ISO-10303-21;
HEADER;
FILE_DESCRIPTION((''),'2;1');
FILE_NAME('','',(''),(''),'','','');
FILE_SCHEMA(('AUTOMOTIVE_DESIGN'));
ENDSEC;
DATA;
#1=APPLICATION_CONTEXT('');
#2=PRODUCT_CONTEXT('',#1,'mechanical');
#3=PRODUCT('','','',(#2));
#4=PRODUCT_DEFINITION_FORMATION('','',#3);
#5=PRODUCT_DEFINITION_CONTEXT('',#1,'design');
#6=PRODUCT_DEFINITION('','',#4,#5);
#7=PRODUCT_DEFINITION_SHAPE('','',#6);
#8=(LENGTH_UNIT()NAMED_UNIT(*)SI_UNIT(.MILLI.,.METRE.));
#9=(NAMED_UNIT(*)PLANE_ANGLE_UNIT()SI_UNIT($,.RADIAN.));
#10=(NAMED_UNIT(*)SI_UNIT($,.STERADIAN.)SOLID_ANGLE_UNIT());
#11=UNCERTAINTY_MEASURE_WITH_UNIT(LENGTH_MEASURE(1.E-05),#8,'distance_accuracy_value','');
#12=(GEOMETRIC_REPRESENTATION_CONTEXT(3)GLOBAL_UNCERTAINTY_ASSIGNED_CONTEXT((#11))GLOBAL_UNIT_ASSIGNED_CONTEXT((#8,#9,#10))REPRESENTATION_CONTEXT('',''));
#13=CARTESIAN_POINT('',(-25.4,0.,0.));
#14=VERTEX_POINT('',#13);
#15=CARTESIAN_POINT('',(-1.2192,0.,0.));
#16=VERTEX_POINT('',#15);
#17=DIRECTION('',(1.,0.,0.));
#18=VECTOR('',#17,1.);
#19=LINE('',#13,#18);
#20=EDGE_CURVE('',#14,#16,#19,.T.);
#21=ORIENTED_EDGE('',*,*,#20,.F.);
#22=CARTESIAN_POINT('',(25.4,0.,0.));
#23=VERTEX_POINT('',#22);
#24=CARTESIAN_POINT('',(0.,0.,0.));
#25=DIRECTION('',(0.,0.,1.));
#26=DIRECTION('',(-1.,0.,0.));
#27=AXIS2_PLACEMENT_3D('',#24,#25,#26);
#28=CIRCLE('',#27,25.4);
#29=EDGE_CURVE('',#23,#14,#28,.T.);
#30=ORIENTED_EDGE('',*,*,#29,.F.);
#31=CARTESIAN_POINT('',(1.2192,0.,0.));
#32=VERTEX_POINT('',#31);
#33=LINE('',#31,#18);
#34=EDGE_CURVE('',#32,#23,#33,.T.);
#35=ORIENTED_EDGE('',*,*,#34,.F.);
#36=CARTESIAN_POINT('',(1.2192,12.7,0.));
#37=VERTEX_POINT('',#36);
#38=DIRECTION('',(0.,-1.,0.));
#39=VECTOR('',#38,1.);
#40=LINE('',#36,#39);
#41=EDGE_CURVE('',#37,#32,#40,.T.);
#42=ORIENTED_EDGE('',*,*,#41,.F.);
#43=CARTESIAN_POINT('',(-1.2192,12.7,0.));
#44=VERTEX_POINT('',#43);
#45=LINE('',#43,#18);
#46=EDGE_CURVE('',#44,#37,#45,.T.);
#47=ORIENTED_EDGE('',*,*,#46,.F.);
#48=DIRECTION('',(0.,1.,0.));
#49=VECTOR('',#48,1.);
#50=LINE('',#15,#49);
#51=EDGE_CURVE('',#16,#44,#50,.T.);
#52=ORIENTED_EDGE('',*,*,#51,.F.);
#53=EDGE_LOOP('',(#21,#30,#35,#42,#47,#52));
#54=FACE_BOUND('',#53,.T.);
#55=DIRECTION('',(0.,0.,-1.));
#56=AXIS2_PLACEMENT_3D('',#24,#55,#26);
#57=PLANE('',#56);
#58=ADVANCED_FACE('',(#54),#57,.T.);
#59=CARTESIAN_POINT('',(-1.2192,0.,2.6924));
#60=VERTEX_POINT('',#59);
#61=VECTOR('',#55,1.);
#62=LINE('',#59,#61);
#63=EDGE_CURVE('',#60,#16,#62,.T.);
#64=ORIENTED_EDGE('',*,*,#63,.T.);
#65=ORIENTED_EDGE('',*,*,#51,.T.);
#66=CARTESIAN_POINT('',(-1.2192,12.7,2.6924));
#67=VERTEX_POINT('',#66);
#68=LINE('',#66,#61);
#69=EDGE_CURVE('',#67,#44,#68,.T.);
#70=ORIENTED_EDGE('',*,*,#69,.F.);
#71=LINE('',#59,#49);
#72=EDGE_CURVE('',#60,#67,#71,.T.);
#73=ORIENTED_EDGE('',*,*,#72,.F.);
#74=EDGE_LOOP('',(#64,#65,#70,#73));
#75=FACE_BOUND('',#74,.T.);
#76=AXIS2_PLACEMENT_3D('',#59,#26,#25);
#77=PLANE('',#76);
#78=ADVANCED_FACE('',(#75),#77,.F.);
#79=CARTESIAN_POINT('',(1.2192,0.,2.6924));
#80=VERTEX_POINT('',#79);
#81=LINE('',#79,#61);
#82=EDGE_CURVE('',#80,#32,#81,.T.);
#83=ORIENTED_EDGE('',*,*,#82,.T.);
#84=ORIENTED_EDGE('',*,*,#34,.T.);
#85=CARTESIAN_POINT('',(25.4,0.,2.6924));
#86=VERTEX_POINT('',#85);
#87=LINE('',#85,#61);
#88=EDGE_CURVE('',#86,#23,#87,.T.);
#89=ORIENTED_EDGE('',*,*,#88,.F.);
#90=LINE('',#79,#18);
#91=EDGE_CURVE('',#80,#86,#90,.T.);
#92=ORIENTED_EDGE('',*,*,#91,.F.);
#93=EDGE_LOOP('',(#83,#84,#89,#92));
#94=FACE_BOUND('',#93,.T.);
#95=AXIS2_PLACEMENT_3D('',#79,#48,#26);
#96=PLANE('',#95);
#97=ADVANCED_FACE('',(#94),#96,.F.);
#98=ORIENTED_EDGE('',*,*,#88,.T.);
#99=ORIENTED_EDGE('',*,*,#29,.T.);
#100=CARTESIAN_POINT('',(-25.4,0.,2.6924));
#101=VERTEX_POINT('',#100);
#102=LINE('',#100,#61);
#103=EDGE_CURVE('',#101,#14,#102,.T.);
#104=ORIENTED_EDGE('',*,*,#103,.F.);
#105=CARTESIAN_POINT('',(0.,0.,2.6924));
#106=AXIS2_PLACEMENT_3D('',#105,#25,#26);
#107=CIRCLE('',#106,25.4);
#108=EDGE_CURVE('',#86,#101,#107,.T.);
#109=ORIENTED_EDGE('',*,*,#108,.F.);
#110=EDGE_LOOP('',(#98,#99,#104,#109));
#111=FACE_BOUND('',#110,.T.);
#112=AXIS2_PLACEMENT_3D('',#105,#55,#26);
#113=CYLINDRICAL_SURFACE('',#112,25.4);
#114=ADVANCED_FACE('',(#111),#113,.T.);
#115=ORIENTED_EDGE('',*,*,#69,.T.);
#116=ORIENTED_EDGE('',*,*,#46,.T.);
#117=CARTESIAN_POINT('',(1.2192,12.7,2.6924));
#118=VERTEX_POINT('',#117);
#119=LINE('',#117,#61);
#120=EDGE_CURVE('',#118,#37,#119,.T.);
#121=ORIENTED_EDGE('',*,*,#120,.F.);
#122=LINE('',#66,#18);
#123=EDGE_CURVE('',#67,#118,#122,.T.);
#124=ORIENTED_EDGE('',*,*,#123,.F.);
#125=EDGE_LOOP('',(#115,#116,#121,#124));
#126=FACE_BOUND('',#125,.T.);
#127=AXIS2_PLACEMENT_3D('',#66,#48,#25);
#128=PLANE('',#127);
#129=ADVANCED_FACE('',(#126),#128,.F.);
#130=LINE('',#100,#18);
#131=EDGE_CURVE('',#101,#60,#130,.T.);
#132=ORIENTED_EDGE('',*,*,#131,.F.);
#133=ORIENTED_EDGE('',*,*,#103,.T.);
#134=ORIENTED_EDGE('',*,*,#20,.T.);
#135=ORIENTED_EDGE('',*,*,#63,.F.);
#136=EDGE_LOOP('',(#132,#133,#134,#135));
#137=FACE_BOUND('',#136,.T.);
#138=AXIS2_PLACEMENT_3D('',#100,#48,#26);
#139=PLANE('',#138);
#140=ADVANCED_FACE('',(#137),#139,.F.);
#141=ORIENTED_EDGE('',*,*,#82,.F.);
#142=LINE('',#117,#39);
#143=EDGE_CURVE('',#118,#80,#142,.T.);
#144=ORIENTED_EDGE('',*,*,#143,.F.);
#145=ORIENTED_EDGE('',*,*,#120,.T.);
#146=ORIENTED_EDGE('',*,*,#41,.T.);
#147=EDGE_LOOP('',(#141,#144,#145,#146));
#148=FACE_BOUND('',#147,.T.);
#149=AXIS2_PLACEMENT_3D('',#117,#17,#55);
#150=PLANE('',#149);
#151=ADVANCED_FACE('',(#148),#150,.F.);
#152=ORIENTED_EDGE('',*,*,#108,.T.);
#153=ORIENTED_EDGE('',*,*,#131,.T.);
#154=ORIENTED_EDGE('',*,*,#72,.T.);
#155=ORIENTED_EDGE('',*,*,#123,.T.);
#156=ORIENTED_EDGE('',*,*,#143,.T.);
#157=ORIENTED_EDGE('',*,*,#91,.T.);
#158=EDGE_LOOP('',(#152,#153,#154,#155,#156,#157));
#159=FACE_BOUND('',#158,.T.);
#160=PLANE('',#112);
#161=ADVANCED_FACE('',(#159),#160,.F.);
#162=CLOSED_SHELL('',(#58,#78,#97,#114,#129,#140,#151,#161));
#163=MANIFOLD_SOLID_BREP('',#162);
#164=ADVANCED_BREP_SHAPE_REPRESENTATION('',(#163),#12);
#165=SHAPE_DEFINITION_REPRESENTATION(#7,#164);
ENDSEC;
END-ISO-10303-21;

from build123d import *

# Parameters (mm, degrees)
BOSS_EXTRUDE1_DEPTH = 2.6924


with BuildPart() as part:
    # Sketch1 → Boss-Extrude1 (new body)
    with BuildSketch(Plane.XY):
        with BuildLine():
            Line((-25.4, 0), (-1.2192, 0))
            Line((-1.2192, 0), (-1.2192, 12.7))
            Line((-1.2192, 12.7), (1.2192, 12.7))
            Line((1.2192, 12.7), (1.2192, 0))
            Line((1.2192, 0), (25.4, 0))
            ThreePointArc((25.4, 0), (0, 25.4), (-25.4, 0))
        make_face()
    extrude(amount=BOSS_EXTRUDE1_DEPTH)


solid = part.part
